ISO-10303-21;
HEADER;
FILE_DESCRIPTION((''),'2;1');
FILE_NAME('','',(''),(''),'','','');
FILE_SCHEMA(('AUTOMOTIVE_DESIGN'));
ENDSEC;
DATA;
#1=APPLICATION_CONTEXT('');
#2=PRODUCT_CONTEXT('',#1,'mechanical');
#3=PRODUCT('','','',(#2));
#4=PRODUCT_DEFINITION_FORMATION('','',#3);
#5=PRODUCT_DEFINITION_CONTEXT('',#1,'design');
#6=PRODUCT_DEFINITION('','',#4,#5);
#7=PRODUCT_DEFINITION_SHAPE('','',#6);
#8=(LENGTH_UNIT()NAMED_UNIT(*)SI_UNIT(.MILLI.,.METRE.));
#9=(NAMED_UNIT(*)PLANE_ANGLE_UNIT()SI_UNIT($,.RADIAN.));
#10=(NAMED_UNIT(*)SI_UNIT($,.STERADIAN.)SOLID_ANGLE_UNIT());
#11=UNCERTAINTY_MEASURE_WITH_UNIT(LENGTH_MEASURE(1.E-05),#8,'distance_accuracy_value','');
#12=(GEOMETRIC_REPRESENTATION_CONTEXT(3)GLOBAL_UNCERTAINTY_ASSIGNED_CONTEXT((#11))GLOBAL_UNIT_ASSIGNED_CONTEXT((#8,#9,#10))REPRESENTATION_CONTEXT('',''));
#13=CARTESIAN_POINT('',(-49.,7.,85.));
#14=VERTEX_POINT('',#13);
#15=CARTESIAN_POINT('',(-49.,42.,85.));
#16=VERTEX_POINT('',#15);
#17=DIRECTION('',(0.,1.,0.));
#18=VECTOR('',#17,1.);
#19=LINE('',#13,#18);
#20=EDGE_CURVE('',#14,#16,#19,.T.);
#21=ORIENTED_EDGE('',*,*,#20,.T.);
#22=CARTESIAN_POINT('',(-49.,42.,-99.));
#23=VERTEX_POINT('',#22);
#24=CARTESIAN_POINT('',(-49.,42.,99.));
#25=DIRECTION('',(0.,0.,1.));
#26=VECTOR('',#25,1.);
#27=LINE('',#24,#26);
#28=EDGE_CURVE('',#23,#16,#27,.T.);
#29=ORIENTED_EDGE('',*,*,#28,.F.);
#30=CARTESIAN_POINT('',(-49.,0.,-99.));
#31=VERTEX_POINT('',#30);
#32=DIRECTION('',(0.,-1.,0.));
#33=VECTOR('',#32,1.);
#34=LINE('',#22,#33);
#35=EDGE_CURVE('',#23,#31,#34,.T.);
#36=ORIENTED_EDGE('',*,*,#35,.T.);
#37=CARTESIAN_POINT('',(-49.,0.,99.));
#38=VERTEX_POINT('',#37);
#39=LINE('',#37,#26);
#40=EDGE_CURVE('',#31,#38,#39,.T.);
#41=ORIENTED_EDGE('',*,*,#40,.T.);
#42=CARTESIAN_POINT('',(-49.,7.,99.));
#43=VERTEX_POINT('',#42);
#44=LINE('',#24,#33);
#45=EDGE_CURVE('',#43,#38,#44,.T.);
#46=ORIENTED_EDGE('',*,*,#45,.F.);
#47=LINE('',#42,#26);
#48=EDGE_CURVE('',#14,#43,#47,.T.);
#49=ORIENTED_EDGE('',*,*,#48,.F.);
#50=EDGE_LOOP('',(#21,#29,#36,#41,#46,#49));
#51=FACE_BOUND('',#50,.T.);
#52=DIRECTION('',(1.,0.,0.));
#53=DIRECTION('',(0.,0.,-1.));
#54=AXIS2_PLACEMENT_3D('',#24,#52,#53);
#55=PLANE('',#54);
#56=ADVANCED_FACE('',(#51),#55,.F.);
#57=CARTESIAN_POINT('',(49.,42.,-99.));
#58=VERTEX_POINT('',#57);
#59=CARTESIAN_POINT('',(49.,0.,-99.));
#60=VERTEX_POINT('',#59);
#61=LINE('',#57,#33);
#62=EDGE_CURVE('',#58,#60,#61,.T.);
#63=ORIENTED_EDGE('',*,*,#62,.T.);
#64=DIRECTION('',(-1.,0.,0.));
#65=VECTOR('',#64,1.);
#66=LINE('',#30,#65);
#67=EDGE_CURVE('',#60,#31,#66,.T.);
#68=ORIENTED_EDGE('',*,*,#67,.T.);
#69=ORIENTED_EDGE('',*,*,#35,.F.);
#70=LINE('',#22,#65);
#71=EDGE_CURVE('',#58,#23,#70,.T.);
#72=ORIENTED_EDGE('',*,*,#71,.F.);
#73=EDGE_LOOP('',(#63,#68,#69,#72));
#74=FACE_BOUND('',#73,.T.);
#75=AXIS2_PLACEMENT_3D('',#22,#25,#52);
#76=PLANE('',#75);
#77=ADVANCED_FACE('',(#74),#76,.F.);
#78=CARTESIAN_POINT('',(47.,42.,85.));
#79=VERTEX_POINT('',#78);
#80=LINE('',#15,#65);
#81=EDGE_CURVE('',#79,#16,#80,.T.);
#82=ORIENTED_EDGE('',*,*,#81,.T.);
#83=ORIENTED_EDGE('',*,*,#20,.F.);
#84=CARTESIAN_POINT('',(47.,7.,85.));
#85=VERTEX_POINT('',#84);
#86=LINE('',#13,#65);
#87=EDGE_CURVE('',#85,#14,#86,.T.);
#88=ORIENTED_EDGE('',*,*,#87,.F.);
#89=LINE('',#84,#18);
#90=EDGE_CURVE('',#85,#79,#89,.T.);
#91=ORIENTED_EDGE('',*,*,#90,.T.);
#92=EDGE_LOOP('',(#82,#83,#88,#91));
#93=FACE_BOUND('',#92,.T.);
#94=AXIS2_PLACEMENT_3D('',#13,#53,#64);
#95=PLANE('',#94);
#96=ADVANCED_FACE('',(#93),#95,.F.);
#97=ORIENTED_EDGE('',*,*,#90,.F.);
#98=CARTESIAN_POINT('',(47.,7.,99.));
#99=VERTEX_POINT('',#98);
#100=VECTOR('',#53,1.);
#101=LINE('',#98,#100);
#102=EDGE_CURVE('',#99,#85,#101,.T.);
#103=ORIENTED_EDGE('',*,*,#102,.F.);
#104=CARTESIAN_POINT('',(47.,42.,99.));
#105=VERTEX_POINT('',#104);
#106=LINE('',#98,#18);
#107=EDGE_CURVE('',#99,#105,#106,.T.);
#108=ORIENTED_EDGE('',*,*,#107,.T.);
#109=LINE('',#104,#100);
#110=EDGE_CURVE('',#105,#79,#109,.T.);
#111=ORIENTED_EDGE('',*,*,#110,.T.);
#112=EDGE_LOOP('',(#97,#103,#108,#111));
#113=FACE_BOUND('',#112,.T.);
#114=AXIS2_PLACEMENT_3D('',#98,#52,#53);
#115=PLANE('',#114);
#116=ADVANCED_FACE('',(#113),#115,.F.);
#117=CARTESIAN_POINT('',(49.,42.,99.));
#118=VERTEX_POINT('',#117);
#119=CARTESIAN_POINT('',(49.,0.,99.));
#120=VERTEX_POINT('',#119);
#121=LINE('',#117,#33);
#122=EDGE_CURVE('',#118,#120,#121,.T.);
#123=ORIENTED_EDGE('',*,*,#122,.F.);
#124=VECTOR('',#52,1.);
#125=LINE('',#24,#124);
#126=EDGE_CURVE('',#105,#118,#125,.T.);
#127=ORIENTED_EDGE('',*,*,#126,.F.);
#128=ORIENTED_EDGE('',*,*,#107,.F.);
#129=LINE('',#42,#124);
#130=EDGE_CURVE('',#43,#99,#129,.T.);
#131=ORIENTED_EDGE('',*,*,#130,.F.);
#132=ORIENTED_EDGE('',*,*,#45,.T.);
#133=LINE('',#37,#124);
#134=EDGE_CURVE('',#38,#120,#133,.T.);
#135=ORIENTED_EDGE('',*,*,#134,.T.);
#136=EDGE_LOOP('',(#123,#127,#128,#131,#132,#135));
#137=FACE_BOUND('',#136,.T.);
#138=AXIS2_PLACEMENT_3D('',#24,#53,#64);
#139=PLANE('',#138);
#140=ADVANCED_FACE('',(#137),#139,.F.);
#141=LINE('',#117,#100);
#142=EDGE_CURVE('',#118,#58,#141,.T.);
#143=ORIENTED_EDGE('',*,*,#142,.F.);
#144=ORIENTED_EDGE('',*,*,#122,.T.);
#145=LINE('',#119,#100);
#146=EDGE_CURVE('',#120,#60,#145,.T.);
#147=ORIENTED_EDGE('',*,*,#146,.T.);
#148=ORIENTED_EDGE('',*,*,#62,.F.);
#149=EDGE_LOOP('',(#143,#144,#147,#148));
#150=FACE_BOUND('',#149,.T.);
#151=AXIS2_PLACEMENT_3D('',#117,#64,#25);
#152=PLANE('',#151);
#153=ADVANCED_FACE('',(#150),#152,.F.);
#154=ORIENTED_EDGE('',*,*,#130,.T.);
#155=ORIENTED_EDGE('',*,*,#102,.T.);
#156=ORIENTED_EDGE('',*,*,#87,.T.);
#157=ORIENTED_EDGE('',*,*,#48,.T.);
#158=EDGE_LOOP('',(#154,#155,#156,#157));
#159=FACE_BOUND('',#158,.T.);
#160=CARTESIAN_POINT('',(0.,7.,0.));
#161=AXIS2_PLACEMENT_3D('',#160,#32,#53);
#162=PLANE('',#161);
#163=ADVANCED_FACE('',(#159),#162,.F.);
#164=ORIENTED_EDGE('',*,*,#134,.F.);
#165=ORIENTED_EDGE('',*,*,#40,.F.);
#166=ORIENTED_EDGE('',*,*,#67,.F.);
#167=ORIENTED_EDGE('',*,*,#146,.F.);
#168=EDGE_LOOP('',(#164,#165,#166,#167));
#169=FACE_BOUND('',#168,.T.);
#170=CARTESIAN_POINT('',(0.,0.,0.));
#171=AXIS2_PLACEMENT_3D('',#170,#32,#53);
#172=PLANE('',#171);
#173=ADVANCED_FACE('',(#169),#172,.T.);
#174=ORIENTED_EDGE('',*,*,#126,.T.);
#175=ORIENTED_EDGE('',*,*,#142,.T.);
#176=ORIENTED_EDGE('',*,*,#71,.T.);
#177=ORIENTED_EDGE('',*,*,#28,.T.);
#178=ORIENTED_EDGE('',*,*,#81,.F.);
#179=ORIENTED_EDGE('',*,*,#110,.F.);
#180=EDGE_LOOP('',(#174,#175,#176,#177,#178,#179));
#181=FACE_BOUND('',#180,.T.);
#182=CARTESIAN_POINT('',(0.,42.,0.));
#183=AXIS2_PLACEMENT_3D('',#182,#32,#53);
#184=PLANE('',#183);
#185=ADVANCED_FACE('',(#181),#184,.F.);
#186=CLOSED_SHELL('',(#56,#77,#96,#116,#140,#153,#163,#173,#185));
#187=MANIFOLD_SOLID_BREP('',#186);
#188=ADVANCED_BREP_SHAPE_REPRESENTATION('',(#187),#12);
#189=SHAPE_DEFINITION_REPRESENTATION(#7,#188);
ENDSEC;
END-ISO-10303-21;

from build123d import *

# Parameters (mm, degrees)
SKETCH1_W           = 98
SKETCH1_H           = 198
BOSS_EXTRUDE1_DEPTH = 42
SKETCH2_W           = 96
SKETCH2_H           = 14
CUT_EXTRUDE1_DEPTH  = 35


with BuildPart() as part:
    # Sketch1 → Boss-Extrude1 (new body)
    with BuildSketch(Plane(origin=(0, 0, 0), x_dir=(1, 0, 0), z_dir=(0, 1, 0))):
        Rectangle(SKETCH1_W, SKETCH1_H)
    extrude(amount=BOSS_EXTRUDE1_DEPTH)

    # Sketch2 → Cut-Extrude1 (cut)
    with BuildSketch(Plane(origin=(0, 42, 0), x_dir=(1, 0, 0), z_dir=(0, 1, 0))):
        with Locations((-1, -92)):
            Rectangle(SKETCH2_W, SKETCH2_H)
    extrude(amount=-CUT_EXTRUDE1_DEPTH, mode=Mode.SUBTRACT)


solid = part.part
